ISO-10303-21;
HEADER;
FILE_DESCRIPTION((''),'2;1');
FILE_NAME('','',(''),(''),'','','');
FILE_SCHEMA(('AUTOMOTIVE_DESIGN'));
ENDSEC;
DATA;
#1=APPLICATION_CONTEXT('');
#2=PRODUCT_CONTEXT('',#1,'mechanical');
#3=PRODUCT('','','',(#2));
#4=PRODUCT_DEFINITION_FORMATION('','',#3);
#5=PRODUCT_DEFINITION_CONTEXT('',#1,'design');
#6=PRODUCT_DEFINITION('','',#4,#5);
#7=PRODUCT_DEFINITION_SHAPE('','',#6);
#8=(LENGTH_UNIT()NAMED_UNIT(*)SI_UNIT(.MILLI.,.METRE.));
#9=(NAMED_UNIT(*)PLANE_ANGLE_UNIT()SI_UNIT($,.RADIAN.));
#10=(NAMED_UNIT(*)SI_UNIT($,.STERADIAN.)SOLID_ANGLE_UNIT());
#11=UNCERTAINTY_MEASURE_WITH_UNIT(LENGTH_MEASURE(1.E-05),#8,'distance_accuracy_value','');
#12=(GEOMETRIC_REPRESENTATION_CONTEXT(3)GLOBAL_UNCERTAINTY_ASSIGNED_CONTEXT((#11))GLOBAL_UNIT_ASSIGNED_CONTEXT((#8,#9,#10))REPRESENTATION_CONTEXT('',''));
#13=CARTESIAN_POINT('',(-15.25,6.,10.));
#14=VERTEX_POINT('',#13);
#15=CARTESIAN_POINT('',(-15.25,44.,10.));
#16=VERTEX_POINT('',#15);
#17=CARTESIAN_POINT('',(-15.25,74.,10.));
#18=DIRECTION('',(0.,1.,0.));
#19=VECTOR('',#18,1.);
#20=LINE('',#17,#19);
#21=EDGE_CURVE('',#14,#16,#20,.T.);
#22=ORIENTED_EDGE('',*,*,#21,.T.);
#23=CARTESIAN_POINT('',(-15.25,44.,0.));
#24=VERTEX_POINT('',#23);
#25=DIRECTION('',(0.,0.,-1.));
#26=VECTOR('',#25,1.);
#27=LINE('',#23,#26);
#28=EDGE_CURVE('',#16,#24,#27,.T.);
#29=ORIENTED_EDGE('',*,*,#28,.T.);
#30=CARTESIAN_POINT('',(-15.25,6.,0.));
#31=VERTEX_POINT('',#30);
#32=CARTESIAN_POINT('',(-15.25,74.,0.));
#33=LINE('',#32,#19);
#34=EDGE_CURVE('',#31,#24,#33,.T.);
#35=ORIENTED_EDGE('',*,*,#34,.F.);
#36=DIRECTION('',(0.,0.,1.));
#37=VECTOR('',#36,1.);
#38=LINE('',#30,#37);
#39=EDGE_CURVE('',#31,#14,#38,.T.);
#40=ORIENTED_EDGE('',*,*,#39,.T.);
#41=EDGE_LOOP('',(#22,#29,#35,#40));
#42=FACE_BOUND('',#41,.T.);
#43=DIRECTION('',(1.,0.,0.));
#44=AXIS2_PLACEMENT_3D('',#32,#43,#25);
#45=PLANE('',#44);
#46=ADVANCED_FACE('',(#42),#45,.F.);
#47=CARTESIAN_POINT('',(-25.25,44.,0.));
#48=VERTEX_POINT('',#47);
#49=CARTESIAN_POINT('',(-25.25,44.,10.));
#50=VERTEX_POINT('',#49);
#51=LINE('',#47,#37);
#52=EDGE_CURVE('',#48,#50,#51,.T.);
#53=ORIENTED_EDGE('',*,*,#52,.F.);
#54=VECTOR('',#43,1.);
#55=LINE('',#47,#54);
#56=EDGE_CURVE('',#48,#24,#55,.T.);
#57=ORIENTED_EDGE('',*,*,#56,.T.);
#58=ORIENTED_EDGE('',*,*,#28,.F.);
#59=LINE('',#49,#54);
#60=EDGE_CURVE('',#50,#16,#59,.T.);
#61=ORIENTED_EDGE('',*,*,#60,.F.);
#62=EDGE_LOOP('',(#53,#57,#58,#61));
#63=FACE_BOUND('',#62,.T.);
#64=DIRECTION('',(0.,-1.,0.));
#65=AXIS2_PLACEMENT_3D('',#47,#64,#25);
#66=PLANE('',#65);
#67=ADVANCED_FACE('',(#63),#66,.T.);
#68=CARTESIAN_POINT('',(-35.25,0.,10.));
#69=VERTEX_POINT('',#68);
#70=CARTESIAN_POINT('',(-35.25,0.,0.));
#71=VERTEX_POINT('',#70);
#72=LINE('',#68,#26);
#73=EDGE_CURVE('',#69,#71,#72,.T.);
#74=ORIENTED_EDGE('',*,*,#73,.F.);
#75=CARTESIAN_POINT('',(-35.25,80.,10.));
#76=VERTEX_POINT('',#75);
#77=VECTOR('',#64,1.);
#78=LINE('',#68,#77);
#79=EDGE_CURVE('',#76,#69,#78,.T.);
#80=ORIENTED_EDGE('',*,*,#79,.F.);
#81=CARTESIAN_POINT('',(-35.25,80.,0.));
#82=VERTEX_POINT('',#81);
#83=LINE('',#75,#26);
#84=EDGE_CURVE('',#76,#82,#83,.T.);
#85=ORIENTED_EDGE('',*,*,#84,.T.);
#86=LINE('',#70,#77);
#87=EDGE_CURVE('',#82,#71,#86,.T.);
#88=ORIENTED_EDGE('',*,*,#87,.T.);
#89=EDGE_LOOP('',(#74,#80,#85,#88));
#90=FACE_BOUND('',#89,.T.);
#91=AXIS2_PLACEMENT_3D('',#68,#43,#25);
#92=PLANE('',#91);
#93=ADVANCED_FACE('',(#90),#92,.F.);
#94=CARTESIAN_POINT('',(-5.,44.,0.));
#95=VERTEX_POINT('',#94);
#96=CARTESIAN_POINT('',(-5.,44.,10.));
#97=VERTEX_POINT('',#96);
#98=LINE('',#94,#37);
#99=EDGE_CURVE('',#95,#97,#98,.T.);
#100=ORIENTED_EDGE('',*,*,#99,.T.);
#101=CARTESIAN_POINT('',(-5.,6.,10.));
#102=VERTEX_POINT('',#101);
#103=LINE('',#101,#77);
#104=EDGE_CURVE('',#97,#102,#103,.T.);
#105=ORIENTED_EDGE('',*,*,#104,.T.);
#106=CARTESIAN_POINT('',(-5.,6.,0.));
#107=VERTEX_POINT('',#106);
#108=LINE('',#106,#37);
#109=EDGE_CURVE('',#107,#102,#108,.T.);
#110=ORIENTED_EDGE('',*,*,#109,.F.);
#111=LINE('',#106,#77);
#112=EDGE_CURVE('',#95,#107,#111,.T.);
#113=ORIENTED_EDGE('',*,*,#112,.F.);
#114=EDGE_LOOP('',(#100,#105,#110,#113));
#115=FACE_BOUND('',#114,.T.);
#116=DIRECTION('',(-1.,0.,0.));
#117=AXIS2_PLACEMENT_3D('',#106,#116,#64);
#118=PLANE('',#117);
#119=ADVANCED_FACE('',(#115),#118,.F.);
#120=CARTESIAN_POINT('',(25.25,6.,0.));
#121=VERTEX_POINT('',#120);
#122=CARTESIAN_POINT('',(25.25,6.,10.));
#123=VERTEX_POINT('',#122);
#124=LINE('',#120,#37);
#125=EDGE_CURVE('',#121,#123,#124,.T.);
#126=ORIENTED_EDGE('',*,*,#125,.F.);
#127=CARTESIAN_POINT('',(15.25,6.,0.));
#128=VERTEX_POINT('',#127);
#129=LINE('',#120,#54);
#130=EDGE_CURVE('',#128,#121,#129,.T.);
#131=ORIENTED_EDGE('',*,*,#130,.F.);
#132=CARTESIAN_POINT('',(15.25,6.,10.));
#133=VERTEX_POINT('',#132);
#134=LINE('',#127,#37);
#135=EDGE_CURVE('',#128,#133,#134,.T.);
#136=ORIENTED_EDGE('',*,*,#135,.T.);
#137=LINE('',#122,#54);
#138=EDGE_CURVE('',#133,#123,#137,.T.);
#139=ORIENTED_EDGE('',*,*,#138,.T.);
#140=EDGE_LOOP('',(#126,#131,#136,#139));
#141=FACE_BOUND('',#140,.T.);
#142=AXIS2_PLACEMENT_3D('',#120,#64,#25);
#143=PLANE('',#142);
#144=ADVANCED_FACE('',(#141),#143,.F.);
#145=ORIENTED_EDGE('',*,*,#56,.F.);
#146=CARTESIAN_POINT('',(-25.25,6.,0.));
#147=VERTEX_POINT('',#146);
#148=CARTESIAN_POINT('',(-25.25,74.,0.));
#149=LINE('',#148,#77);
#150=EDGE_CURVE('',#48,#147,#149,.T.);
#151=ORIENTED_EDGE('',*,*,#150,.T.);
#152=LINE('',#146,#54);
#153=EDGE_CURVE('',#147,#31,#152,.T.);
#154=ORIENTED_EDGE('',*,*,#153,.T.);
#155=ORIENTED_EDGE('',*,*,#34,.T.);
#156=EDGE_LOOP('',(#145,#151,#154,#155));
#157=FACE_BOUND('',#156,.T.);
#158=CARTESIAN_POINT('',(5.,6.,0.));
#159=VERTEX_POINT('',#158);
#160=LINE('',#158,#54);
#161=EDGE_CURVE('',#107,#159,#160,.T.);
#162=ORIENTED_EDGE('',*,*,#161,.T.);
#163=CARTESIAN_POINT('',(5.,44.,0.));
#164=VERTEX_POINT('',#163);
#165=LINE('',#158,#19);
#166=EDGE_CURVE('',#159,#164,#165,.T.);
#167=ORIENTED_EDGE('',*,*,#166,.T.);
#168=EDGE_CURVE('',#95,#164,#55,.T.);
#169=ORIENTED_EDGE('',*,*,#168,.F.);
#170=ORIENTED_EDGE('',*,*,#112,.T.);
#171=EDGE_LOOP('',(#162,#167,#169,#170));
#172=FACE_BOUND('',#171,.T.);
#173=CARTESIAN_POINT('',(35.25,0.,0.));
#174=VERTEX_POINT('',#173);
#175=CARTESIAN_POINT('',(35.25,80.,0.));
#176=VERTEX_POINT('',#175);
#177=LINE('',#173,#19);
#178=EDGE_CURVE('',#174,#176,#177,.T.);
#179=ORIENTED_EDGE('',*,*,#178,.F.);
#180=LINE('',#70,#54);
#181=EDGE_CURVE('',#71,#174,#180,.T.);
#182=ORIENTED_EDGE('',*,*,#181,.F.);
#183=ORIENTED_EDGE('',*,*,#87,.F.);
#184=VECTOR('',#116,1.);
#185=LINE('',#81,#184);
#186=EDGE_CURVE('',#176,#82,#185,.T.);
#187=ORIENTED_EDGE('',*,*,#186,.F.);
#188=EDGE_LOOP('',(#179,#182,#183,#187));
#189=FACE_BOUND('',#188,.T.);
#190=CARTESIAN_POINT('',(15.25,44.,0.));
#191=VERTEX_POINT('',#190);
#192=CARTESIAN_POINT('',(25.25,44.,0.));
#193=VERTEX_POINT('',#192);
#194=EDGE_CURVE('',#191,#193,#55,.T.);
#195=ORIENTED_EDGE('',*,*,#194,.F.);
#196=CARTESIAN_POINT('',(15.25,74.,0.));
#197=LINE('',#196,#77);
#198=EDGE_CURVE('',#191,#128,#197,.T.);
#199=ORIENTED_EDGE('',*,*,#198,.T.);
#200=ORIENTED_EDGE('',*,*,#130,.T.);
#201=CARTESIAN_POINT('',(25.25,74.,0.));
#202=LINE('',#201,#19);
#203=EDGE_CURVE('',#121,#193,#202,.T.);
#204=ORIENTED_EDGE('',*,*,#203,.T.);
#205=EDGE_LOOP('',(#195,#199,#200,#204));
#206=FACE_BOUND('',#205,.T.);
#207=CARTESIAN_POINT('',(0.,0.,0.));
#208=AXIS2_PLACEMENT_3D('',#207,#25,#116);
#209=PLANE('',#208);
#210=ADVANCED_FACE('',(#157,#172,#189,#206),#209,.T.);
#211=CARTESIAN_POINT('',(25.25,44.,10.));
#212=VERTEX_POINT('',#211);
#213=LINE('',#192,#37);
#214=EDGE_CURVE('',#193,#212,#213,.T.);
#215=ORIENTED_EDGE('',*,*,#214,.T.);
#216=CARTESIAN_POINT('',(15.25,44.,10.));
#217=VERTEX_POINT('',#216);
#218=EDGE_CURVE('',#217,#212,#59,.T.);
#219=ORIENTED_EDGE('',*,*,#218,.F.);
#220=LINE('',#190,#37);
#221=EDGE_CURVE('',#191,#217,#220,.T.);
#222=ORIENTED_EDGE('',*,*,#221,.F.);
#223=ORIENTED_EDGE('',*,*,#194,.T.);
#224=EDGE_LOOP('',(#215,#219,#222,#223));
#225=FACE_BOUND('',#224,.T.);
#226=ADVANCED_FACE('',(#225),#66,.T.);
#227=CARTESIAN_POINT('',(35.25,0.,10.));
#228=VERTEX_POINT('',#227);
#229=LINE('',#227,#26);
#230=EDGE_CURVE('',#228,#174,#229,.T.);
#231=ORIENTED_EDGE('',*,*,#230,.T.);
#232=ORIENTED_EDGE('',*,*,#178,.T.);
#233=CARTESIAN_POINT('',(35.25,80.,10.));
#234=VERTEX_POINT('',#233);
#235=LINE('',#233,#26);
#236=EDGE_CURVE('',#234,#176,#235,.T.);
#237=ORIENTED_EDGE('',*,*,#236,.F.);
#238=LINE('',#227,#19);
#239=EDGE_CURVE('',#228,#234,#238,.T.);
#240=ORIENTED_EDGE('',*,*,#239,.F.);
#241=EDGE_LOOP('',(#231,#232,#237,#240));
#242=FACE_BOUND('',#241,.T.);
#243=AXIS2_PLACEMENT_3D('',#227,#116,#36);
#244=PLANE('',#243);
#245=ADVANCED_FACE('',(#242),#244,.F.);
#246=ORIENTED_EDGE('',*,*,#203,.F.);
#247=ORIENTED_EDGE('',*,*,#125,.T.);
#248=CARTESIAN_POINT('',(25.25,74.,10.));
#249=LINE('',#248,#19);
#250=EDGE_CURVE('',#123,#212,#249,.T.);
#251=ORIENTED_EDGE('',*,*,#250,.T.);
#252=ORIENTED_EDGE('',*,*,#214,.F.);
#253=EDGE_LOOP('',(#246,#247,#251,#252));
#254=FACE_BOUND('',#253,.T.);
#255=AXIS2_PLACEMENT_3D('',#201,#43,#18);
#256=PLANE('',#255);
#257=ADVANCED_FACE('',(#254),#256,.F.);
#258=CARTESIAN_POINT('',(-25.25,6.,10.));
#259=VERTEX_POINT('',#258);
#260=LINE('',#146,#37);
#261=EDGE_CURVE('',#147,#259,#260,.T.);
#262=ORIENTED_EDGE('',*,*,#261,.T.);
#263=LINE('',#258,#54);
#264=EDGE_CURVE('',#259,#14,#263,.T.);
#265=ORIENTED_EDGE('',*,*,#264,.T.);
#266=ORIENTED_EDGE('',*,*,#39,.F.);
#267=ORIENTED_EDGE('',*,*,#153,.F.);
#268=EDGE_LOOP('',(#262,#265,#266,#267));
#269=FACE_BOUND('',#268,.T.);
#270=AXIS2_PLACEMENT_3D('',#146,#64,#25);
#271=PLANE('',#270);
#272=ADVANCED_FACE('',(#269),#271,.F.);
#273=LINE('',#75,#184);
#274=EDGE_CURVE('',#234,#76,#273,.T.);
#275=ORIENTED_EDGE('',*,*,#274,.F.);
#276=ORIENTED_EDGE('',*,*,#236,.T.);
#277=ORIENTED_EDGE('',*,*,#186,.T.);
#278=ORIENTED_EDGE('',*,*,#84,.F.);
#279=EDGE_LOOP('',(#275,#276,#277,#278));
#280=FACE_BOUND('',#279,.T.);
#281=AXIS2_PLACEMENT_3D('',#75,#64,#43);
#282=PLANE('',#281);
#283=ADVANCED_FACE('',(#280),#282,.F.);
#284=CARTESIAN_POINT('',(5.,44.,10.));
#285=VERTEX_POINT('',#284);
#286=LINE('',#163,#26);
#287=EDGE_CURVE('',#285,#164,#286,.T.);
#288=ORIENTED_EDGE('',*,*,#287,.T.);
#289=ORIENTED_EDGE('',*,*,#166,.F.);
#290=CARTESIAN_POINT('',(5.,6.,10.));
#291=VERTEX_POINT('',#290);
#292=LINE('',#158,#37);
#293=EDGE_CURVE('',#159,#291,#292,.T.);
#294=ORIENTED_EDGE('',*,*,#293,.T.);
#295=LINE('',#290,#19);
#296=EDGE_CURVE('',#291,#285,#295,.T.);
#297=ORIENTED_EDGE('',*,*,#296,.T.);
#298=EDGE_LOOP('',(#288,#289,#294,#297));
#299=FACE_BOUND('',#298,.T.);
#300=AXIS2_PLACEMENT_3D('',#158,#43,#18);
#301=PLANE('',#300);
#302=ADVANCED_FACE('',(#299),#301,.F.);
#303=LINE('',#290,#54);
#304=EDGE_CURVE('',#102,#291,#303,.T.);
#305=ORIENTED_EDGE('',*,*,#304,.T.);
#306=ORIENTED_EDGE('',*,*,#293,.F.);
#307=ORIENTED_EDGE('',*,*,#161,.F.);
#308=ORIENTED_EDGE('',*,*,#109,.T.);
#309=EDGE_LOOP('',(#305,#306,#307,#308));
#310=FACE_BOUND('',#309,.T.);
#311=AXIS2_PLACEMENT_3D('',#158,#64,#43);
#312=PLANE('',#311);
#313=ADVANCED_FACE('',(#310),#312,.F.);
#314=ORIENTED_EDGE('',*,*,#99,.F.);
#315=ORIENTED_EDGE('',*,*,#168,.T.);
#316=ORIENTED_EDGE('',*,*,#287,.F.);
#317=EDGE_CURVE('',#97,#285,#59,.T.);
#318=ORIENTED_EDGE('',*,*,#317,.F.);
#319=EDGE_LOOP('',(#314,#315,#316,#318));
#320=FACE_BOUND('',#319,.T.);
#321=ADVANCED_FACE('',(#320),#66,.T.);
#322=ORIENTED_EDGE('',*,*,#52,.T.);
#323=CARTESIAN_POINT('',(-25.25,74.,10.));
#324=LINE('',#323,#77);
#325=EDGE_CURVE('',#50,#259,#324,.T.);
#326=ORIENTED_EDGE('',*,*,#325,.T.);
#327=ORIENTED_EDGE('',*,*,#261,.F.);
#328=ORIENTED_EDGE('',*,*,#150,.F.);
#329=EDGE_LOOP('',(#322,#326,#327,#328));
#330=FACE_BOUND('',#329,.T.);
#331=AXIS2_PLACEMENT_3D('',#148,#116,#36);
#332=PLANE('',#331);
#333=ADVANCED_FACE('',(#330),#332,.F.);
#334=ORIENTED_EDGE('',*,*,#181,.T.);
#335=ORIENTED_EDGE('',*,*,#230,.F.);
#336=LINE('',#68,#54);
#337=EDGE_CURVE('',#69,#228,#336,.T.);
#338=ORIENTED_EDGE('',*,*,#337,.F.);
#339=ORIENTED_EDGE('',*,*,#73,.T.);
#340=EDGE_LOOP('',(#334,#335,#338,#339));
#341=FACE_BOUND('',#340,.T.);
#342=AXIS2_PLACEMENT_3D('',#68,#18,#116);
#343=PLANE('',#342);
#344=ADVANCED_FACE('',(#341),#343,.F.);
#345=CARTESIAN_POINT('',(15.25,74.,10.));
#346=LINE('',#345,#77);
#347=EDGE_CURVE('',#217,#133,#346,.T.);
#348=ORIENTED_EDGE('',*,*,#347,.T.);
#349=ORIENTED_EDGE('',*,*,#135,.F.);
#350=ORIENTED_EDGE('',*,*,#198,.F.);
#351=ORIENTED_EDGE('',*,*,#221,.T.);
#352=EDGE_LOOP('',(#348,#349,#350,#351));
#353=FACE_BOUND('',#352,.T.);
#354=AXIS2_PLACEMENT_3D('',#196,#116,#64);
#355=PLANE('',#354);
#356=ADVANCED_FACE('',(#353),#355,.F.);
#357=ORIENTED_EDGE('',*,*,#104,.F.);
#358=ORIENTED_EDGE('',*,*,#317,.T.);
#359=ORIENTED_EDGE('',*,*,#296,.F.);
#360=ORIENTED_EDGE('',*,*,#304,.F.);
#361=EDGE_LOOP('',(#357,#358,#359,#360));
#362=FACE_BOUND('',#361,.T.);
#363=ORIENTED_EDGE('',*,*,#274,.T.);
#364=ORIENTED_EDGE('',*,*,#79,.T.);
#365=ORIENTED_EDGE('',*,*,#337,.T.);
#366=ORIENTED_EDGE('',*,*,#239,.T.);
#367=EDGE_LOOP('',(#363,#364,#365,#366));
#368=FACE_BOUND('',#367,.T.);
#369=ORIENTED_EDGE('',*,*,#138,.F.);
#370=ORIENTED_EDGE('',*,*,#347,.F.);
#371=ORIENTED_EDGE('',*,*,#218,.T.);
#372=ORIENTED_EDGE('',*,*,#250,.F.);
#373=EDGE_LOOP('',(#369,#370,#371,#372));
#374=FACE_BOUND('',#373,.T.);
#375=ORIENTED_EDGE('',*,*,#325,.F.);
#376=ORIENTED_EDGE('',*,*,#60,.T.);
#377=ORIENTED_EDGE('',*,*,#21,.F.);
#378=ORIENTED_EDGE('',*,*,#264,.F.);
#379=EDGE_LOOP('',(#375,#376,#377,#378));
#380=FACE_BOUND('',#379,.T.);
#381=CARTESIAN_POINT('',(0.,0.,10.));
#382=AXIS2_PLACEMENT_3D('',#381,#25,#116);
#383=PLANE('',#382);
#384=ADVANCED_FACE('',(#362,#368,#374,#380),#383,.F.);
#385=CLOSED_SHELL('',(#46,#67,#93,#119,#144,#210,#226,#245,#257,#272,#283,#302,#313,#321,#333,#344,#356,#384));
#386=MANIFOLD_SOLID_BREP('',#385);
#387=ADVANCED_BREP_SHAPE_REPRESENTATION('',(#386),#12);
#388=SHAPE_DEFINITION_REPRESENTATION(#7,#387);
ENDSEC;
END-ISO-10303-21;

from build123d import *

# Parameters (mm, degrees)
SKETCH2_W           = 70.5
SKETCH2_H           = 80
BOSS_EXTRUDE1_DEPTH = 10
SKETCH5_W           = 10
SKETCH5_H           = 68
CUT_EXTRUDE2_DEPTH  = 10
SKETCH8_W           = 50.5
SKETCH8_H           = 30
BOSS_EXTRUDE3_DEPTH = 10


with BuildPart() as part:
    # Sketch2 → Boss-Extrude1 (new body)
    with BuildSketch(Plane.XY):
        with Locations((0, 40)):
            Rectangle(SKETCH2_W, SKETCH2_H)
    extrude(amount=BOSS_EXTRUDE1_DEPTH)

    # Sketch5 → Cut-Extrude2 (cut)
    with BuildSketch(Plane.XY.offset(10)):
        with Locations((20.25, 40)):
            Rectangle(SKETCH5_W, SKETCH5_H)
        with Locations((-20.25, 40)):
            Rectangle(SKETCH5_W, SKETCH5_H)
        with Locations((0, 40)):
            Rectangle(SKETCH5_W, SKETCH5_H)
    extrude(amount=-CUT_EXTRUDE2_DEPTH, mode=Mode.SUBTRACT)

    # Sketch8 → Boss-Extrude3 (add)
    with BuildSketch(Plane.XY.offset(10)):
        with Locations((0, 59)):
            Rectangle(SKETCH8_W, SKETCH8_H)
    extrude(amount=-BOSS_EXTRUDE3_DEPTH)


solid = part.part
